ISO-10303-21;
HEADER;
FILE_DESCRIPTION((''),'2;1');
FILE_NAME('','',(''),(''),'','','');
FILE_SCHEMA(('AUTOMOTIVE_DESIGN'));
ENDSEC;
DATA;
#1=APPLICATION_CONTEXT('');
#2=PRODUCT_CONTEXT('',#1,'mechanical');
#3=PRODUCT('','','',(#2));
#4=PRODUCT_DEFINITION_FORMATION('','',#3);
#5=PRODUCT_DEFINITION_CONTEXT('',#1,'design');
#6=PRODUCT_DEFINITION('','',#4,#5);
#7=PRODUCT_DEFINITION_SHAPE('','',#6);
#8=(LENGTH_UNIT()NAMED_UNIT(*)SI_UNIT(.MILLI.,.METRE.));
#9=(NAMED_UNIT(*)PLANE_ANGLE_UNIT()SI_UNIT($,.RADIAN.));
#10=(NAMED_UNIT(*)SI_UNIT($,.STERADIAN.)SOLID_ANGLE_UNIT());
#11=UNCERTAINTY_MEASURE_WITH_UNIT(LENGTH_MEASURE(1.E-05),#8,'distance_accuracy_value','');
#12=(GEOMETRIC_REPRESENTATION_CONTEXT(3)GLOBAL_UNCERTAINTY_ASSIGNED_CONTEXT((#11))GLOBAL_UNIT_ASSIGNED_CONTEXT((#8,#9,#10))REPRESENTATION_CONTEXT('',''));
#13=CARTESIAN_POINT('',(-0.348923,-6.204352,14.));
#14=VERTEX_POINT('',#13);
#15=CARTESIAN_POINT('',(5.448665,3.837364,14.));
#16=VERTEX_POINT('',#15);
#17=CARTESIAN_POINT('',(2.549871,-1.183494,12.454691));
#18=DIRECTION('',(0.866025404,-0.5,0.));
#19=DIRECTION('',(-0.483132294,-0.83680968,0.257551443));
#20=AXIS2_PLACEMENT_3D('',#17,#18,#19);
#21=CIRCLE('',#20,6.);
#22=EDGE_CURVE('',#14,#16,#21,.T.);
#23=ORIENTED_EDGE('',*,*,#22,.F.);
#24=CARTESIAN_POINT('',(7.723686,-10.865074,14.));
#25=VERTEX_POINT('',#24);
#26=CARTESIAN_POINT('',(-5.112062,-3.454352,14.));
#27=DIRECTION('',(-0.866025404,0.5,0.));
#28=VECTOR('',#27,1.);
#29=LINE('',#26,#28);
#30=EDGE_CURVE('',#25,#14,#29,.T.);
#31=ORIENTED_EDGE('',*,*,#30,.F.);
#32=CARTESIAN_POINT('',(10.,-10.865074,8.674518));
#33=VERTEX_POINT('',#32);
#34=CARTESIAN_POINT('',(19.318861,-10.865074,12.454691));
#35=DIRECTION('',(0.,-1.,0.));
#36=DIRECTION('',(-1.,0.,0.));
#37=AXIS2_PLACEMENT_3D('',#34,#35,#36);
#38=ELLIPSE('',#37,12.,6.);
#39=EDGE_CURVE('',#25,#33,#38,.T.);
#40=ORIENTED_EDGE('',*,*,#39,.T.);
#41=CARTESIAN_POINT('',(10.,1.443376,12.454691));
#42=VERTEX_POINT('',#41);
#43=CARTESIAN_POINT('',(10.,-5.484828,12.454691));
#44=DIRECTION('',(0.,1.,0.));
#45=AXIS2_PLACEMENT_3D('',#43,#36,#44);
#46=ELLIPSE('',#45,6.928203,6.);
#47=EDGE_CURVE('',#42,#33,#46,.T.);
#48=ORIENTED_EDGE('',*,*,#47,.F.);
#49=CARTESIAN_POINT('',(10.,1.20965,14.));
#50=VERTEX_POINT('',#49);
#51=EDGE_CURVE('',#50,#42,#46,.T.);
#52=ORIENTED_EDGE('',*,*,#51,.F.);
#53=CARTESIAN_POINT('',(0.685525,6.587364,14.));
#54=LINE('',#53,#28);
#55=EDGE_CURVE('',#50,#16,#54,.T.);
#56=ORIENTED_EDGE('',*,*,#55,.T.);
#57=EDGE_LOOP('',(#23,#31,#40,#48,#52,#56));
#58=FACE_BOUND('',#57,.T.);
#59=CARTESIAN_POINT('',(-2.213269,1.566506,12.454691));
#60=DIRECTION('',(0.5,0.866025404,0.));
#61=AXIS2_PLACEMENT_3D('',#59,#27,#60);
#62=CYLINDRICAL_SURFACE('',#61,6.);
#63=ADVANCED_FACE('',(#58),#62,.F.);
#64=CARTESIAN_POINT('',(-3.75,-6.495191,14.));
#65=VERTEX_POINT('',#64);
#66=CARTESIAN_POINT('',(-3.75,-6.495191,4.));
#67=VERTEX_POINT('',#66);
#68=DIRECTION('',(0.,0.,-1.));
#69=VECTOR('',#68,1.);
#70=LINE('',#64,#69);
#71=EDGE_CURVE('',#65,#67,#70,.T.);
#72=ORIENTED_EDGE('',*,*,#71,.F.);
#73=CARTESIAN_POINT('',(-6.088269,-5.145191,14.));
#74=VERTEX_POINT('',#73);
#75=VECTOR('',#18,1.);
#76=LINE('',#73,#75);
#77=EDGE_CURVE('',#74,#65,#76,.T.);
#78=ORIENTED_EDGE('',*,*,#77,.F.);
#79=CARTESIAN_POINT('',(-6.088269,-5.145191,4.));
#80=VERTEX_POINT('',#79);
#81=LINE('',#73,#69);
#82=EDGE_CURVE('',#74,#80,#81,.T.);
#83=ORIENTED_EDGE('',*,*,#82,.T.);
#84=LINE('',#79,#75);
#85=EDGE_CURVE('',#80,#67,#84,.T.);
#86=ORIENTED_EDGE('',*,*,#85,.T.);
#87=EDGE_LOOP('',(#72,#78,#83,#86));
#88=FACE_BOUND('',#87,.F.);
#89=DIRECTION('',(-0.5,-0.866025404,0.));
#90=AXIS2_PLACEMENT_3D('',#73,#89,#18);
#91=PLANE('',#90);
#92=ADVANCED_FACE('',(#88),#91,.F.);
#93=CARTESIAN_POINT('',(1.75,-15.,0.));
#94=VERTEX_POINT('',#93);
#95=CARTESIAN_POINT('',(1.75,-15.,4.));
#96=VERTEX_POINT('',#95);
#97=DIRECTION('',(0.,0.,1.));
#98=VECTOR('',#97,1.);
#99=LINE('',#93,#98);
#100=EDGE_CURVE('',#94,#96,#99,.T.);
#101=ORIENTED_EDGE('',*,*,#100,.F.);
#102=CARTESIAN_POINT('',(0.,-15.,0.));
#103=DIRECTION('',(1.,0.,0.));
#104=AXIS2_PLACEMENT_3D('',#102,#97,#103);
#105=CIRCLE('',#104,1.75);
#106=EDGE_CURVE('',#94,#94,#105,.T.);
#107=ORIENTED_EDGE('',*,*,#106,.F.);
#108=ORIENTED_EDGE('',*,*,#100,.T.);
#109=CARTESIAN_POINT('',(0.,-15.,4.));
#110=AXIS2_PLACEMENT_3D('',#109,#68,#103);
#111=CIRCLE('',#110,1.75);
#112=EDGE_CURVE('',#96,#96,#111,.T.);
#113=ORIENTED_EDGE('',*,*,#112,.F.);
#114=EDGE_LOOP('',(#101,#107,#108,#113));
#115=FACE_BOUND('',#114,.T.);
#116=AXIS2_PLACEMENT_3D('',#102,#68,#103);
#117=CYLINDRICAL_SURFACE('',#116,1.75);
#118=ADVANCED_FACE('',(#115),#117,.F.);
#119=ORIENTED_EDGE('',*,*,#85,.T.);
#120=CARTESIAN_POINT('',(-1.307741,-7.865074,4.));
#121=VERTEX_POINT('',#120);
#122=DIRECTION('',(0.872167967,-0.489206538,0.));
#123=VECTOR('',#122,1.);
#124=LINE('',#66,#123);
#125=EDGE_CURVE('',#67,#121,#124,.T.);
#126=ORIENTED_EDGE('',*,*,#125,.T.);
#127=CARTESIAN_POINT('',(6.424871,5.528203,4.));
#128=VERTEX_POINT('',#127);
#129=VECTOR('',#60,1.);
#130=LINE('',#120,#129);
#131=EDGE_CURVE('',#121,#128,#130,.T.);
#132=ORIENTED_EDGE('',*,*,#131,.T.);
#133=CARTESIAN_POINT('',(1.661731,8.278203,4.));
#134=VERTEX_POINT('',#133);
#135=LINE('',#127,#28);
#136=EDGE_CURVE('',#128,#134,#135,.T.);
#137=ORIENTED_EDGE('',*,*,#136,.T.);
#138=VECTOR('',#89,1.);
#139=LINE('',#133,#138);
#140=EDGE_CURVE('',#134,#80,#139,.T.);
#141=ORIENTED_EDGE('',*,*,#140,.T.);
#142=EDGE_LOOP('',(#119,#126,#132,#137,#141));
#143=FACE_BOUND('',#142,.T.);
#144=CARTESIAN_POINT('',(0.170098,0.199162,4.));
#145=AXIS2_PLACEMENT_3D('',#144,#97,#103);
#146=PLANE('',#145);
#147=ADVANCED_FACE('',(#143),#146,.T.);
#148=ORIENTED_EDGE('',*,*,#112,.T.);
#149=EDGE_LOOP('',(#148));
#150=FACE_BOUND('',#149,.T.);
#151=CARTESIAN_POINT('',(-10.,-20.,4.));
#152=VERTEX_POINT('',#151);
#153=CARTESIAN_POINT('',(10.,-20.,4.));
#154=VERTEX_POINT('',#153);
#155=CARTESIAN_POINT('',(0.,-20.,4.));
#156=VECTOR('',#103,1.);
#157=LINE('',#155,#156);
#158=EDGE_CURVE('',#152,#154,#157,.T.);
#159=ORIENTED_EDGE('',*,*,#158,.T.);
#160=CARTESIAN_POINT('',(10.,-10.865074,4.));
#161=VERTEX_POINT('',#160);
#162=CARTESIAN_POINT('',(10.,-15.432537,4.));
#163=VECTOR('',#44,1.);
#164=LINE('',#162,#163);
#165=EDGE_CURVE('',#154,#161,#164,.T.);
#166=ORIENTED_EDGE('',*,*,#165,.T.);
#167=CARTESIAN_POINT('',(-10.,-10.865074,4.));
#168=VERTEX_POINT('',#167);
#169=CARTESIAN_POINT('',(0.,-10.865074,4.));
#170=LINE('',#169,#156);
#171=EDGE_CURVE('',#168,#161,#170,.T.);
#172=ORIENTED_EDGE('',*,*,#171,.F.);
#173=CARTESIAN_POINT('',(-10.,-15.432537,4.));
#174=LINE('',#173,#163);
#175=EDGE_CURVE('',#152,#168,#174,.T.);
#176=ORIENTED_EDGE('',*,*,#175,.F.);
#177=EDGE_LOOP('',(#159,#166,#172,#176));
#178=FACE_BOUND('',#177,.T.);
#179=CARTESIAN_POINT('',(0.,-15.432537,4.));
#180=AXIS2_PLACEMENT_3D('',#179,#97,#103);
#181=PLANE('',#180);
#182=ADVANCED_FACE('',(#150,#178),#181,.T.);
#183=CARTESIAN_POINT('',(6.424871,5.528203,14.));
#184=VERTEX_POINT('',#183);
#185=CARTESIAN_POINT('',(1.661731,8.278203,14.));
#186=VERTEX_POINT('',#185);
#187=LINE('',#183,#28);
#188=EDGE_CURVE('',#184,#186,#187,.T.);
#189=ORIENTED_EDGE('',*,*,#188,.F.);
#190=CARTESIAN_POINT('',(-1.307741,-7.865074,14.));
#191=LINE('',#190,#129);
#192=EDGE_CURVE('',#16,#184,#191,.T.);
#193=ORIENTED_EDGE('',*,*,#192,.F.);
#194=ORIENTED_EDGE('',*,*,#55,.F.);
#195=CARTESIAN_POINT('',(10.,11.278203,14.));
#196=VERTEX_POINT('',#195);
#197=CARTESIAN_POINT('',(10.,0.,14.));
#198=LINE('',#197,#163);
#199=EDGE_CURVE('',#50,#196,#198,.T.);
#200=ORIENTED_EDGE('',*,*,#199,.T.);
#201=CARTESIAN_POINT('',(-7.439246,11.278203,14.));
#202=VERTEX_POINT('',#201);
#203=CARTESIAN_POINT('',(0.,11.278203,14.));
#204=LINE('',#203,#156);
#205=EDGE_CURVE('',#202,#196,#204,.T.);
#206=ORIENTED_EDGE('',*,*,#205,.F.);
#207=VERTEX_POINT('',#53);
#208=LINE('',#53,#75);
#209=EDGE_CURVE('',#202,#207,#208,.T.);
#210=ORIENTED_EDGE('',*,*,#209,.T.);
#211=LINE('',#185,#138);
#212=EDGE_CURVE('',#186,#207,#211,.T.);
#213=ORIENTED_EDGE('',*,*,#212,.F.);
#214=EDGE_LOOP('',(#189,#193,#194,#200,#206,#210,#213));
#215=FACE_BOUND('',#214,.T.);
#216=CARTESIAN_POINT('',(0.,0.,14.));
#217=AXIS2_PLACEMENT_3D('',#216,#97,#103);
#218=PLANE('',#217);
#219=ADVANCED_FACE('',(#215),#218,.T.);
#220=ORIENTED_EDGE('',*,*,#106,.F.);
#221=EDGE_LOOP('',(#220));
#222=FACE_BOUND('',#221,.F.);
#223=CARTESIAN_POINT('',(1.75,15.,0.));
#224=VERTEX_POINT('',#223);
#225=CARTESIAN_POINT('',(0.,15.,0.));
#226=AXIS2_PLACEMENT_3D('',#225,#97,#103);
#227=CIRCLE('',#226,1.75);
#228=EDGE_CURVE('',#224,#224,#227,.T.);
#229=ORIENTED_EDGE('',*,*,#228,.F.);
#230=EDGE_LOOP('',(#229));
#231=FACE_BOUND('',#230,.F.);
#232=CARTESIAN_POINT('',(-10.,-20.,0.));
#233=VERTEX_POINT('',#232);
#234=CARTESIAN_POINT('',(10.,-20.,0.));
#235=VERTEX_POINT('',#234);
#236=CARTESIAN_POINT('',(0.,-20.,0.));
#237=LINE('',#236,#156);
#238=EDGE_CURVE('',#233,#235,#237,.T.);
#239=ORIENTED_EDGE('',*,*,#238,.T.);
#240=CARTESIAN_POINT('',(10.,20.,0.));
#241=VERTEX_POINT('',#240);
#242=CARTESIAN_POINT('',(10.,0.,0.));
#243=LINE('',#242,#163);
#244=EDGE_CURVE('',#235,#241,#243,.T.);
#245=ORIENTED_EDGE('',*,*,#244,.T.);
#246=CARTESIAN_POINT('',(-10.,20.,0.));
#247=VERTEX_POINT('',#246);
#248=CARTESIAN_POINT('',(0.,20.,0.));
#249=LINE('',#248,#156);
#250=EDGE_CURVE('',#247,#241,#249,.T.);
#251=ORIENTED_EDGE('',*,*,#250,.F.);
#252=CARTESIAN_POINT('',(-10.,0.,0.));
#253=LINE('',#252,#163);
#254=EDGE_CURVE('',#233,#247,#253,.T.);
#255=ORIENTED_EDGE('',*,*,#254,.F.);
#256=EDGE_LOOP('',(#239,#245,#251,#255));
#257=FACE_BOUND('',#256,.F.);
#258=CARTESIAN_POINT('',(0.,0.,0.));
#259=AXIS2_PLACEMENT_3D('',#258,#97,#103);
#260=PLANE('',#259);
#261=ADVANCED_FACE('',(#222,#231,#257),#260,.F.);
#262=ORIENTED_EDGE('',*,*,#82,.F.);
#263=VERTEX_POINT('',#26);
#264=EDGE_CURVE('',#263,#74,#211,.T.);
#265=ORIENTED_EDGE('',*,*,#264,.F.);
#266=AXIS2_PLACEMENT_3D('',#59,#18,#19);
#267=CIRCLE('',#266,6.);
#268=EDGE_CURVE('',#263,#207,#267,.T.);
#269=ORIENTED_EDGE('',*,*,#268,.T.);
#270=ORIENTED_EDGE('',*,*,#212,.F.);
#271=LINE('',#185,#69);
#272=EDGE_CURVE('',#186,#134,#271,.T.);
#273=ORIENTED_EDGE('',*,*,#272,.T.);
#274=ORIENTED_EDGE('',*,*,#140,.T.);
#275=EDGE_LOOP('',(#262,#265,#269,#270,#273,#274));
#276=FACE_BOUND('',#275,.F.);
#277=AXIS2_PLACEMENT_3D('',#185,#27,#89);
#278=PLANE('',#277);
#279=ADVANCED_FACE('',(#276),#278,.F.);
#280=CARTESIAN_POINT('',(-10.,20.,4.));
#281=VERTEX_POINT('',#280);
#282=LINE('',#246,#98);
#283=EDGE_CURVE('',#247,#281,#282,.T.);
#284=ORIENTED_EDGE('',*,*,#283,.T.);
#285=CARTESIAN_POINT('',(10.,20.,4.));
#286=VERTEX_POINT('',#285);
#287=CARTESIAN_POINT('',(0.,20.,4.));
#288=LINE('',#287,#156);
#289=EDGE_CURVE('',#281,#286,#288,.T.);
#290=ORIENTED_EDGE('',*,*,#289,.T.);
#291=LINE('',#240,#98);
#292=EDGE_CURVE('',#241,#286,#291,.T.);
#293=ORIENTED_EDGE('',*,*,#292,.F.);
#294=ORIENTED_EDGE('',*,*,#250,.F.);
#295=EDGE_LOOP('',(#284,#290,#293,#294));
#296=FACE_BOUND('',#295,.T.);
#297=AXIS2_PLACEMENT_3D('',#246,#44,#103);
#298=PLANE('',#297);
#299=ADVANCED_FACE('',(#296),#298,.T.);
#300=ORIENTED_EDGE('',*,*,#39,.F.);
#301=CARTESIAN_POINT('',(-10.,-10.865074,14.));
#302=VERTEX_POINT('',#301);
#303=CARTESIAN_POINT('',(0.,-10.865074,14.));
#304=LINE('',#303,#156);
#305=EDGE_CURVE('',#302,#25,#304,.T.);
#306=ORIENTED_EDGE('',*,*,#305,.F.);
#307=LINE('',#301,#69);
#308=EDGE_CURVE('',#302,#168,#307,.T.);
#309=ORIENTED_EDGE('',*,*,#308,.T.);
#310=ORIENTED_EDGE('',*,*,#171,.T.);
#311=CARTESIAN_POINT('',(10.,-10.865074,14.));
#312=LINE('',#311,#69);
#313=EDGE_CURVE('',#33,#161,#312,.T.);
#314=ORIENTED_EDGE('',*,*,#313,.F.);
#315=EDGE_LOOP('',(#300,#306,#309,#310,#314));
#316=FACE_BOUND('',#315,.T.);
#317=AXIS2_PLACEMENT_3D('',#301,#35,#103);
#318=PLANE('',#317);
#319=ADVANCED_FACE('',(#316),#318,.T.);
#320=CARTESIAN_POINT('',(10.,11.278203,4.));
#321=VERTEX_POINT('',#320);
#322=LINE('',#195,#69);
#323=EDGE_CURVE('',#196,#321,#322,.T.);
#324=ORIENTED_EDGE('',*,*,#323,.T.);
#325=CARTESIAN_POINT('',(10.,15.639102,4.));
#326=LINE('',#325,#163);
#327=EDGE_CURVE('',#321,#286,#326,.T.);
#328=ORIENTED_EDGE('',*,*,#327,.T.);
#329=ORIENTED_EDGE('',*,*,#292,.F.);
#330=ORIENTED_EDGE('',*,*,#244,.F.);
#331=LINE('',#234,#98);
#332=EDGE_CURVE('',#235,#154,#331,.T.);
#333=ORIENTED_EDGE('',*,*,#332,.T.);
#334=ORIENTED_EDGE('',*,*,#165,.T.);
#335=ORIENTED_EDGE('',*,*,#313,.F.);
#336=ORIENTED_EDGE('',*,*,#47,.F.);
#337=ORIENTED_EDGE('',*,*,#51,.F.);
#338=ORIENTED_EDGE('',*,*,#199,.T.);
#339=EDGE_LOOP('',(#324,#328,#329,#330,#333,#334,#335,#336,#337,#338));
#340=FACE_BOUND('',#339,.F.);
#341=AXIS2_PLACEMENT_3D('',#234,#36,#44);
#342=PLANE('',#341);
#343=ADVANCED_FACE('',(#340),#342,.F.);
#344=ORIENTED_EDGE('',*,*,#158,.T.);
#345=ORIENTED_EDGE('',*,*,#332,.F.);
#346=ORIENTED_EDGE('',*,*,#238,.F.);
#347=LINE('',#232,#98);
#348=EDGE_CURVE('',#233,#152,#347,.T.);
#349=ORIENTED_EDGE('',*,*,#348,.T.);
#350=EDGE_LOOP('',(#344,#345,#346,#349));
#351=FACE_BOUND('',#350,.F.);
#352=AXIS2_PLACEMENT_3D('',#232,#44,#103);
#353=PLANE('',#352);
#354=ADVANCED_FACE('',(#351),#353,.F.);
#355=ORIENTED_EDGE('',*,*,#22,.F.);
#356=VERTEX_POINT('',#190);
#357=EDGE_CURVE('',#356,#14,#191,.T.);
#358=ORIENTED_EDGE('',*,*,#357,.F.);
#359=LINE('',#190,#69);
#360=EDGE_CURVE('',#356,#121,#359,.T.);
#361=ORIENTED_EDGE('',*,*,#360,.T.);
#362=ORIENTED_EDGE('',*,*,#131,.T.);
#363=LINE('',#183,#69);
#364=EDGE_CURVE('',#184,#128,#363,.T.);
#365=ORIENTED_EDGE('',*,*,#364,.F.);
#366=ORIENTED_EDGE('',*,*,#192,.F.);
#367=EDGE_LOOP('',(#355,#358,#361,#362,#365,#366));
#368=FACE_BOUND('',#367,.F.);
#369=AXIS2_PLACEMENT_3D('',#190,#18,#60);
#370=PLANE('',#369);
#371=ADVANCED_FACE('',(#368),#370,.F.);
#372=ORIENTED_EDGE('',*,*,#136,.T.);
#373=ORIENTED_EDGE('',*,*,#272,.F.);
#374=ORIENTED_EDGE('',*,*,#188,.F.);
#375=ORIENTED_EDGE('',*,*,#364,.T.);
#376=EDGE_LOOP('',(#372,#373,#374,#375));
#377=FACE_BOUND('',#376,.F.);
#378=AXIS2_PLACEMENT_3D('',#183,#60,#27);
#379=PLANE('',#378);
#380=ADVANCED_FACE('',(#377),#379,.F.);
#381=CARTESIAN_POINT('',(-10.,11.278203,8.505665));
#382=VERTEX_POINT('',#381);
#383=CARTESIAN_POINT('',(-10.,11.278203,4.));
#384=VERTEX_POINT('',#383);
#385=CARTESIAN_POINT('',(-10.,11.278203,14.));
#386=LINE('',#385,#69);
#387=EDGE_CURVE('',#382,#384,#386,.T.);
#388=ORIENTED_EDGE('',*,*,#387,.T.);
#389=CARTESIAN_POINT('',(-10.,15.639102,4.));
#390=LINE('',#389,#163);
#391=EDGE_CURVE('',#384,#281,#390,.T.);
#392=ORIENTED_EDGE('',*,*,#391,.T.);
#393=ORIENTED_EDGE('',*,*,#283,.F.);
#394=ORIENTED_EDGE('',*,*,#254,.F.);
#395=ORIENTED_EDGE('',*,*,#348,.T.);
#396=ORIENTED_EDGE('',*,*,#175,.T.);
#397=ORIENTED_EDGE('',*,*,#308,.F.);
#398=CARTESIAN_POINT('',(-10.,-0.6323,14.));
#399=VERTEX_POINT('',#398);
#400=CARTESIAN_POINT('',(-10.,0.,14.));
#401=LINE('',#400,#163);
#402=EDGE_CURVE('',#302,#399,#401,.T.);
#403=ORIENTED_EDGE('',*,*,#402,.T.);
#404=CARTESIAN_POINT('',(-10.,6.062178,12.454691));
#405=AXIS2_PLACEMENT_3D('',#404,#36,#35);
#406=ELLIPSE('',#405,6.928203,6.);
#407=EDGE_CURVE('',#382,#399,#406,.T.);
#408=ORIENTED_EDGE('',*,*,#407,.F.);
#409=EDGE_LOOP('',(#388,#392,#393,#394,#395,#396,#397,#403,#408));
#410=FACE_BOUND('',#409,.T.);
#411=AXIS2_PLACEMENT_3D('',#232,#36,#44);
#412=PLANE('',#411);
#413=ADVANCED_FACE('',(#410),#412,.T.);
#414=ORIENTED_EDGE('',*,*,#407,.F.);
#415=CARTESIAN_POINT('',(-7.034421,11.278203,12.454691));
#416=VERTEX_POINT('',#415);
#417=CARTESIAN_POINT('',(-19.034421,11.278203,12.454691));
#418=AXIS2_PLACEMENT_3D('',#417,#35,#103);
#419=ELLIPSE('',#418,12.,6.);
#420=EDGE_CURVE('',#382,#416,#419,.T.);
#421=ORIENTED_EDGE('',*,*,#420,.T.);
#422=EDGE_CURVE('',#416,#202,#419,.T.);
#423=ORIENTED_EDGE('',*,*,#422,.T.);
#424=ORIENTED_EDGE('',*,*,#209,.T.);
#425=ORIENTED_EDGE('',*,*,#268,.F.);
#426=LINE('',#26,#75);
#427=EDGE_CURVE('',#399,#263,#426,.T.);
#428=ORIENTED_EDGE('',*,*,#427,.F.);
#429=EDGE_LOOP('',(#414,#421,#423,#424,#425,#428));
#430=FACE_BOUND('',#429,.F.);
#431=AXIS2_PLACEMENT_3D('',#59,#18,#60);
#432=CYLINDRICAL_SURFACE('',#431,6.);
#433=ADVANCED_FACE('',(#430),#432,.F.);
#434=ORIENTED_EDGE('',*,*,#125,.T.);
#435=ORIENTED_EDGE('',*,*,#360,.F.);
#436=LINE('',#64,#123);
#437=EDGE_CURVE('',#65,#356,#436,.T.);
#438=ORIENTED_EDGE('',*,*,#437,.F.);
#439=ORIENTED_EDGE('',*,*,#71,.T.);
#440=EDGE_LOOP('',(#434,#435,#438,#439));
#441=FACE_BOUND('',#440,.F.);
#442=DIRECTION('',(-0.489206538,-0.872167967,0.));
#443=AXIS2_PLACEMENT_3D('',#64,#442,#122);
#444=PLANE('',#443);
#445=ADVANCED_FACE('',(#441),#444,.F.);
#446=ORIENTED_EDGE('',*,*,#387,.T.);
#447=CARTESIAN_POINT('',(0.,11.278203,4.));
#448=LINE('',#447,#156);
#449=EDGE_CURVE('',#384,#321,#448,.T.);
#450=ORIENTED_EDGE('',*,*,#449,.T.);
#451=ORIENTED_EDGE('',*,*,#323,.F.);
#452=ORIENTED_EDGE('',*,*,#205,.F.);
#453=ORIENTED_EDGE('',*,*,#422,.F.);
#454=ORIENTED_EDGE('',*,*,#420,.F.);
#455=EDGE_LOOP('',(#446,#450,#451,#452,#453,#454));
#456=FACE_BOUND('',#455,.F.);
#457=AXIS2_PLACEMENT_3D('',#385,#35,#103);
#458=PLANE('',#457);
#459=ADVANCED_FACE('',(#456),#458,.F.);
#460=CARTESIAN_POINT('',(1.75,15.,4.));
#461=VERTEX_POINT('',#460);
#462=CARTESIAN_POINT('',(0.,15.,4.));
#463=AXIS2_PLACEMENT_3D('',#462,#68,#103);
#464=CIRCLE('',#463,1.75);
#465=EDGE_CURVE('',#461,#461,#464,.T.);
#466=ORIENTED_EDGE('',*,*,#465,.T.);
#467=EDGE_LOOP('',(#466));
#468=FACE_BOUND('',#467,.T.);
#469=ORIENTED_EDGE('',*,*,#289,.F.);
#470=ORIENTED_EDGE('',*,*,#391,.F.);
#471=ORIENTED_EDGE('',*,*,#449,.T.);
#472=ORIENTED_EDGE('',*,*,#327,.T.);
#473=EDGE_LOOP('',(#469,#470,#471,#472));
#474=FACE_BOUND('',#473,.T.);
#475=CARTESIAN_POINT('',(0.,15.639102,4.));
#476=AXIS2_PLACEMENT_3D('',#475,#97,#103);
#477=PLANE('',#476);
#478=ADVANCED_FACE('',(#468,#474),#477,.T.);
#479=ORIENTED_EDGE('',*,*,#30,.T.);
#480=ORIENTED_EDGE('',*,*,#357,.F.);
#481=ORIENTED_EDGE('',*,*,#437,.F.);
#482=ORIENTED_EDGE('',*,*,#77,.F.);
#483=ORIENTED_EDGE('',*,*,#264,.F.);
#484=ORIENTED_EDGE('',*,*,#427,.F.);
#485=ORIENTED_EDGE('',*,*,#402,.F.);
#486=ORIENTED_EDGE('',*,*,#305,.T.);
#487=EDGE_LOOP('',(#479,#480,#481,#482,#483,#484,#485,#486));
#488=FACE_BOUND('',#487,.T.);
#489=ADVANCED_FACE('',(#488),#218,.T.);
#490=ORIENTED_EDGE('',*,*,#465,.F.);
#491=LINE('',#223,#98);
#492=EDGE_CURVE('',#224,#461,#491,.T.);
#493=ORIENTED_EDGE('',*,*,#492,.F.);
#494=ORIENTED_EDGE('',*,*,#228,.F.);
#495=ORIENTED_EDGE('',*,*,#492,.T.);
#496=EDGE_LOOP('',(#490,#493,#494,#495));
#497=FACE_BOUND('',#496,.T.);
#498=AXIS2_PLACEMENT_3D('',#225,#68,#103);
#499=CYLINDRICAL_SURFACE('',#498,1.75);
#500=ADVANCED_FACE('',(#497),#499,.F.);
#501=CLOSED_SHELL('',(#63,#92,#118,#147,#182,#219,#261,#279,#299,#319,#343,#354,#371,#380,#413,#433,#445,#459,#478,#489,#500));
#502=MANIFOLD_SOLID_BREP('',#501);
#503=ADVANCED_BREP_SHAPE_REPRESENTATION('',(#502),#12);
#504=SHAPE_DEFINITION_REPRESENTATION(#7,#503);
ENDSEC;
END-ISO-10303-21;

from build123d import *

# Parameters (mm, degrees)
F0_W          = 20
F0_H          = 40
F0_R          = 1.75
F1_DEPTH      = 14
F2_W          = 20
F2_H          = 8.7217967697
F2_H_2        = 9.1349255253
F3_DEPTH      = 10
F4_R          = 6
F5_DEPTH      = 14
F5_DEPTH_BACK = 20


with BuildPart() as f1:
    # F0 (on Top) → F1 (new body)
    with BuildSketch(Plane.XY):
        Rectangle(F0_W, F0_H)
        with Locations((0, -15)):
            Circle(F0_R, mode=Mode.SUBTRACT)
        with Locations((0, 15)):
            Circle(F0_R, mode=Mode.SUBTRACT)
    extrude(amount=F1_DEPTH)

    # F2 (on face) → F3 (cut)
    with BuildSketch(Plane.XY.offset(14)):
        Polygon((-6.0882685902, -5.1451905284), (-3.75, -6.4951905284), (-1.3077413577, -7.8650744747), (6.4248711306, 5.5282032303), (1.6617314098, 8.2782032303), align=None)
        with Locations((0, 15.6391016151)):
            Rectangle(F2_W, F2_H)
        with Locations((0, -15.4325372373)):
            Rectangle(F2_W, F2_H_2)
    extrude(amount=-F3_DEPTH, mode=Mode.SUBTRACT)

    # F4 (on face) → F5 (cut, two sides)
    with BuildSketch(Plane(origin=(-2.3382685902, 1.35, 0), x_dir=(0.5, 0.8660254038, 0), z_dir=(0.8660254038, -0.5, 0))) as f5_sk:
        with Locations((0.25, 12.454691343)):
            Circle(F4_R)
    extrude(amount=-F5_DEPTH, mode=Mode.SUBTRACT)
    extrude(f5_sk.sketch, amount=F5_DEPTH_BACK, mode=Mode.SUBTRACT)


solid = f1.part
